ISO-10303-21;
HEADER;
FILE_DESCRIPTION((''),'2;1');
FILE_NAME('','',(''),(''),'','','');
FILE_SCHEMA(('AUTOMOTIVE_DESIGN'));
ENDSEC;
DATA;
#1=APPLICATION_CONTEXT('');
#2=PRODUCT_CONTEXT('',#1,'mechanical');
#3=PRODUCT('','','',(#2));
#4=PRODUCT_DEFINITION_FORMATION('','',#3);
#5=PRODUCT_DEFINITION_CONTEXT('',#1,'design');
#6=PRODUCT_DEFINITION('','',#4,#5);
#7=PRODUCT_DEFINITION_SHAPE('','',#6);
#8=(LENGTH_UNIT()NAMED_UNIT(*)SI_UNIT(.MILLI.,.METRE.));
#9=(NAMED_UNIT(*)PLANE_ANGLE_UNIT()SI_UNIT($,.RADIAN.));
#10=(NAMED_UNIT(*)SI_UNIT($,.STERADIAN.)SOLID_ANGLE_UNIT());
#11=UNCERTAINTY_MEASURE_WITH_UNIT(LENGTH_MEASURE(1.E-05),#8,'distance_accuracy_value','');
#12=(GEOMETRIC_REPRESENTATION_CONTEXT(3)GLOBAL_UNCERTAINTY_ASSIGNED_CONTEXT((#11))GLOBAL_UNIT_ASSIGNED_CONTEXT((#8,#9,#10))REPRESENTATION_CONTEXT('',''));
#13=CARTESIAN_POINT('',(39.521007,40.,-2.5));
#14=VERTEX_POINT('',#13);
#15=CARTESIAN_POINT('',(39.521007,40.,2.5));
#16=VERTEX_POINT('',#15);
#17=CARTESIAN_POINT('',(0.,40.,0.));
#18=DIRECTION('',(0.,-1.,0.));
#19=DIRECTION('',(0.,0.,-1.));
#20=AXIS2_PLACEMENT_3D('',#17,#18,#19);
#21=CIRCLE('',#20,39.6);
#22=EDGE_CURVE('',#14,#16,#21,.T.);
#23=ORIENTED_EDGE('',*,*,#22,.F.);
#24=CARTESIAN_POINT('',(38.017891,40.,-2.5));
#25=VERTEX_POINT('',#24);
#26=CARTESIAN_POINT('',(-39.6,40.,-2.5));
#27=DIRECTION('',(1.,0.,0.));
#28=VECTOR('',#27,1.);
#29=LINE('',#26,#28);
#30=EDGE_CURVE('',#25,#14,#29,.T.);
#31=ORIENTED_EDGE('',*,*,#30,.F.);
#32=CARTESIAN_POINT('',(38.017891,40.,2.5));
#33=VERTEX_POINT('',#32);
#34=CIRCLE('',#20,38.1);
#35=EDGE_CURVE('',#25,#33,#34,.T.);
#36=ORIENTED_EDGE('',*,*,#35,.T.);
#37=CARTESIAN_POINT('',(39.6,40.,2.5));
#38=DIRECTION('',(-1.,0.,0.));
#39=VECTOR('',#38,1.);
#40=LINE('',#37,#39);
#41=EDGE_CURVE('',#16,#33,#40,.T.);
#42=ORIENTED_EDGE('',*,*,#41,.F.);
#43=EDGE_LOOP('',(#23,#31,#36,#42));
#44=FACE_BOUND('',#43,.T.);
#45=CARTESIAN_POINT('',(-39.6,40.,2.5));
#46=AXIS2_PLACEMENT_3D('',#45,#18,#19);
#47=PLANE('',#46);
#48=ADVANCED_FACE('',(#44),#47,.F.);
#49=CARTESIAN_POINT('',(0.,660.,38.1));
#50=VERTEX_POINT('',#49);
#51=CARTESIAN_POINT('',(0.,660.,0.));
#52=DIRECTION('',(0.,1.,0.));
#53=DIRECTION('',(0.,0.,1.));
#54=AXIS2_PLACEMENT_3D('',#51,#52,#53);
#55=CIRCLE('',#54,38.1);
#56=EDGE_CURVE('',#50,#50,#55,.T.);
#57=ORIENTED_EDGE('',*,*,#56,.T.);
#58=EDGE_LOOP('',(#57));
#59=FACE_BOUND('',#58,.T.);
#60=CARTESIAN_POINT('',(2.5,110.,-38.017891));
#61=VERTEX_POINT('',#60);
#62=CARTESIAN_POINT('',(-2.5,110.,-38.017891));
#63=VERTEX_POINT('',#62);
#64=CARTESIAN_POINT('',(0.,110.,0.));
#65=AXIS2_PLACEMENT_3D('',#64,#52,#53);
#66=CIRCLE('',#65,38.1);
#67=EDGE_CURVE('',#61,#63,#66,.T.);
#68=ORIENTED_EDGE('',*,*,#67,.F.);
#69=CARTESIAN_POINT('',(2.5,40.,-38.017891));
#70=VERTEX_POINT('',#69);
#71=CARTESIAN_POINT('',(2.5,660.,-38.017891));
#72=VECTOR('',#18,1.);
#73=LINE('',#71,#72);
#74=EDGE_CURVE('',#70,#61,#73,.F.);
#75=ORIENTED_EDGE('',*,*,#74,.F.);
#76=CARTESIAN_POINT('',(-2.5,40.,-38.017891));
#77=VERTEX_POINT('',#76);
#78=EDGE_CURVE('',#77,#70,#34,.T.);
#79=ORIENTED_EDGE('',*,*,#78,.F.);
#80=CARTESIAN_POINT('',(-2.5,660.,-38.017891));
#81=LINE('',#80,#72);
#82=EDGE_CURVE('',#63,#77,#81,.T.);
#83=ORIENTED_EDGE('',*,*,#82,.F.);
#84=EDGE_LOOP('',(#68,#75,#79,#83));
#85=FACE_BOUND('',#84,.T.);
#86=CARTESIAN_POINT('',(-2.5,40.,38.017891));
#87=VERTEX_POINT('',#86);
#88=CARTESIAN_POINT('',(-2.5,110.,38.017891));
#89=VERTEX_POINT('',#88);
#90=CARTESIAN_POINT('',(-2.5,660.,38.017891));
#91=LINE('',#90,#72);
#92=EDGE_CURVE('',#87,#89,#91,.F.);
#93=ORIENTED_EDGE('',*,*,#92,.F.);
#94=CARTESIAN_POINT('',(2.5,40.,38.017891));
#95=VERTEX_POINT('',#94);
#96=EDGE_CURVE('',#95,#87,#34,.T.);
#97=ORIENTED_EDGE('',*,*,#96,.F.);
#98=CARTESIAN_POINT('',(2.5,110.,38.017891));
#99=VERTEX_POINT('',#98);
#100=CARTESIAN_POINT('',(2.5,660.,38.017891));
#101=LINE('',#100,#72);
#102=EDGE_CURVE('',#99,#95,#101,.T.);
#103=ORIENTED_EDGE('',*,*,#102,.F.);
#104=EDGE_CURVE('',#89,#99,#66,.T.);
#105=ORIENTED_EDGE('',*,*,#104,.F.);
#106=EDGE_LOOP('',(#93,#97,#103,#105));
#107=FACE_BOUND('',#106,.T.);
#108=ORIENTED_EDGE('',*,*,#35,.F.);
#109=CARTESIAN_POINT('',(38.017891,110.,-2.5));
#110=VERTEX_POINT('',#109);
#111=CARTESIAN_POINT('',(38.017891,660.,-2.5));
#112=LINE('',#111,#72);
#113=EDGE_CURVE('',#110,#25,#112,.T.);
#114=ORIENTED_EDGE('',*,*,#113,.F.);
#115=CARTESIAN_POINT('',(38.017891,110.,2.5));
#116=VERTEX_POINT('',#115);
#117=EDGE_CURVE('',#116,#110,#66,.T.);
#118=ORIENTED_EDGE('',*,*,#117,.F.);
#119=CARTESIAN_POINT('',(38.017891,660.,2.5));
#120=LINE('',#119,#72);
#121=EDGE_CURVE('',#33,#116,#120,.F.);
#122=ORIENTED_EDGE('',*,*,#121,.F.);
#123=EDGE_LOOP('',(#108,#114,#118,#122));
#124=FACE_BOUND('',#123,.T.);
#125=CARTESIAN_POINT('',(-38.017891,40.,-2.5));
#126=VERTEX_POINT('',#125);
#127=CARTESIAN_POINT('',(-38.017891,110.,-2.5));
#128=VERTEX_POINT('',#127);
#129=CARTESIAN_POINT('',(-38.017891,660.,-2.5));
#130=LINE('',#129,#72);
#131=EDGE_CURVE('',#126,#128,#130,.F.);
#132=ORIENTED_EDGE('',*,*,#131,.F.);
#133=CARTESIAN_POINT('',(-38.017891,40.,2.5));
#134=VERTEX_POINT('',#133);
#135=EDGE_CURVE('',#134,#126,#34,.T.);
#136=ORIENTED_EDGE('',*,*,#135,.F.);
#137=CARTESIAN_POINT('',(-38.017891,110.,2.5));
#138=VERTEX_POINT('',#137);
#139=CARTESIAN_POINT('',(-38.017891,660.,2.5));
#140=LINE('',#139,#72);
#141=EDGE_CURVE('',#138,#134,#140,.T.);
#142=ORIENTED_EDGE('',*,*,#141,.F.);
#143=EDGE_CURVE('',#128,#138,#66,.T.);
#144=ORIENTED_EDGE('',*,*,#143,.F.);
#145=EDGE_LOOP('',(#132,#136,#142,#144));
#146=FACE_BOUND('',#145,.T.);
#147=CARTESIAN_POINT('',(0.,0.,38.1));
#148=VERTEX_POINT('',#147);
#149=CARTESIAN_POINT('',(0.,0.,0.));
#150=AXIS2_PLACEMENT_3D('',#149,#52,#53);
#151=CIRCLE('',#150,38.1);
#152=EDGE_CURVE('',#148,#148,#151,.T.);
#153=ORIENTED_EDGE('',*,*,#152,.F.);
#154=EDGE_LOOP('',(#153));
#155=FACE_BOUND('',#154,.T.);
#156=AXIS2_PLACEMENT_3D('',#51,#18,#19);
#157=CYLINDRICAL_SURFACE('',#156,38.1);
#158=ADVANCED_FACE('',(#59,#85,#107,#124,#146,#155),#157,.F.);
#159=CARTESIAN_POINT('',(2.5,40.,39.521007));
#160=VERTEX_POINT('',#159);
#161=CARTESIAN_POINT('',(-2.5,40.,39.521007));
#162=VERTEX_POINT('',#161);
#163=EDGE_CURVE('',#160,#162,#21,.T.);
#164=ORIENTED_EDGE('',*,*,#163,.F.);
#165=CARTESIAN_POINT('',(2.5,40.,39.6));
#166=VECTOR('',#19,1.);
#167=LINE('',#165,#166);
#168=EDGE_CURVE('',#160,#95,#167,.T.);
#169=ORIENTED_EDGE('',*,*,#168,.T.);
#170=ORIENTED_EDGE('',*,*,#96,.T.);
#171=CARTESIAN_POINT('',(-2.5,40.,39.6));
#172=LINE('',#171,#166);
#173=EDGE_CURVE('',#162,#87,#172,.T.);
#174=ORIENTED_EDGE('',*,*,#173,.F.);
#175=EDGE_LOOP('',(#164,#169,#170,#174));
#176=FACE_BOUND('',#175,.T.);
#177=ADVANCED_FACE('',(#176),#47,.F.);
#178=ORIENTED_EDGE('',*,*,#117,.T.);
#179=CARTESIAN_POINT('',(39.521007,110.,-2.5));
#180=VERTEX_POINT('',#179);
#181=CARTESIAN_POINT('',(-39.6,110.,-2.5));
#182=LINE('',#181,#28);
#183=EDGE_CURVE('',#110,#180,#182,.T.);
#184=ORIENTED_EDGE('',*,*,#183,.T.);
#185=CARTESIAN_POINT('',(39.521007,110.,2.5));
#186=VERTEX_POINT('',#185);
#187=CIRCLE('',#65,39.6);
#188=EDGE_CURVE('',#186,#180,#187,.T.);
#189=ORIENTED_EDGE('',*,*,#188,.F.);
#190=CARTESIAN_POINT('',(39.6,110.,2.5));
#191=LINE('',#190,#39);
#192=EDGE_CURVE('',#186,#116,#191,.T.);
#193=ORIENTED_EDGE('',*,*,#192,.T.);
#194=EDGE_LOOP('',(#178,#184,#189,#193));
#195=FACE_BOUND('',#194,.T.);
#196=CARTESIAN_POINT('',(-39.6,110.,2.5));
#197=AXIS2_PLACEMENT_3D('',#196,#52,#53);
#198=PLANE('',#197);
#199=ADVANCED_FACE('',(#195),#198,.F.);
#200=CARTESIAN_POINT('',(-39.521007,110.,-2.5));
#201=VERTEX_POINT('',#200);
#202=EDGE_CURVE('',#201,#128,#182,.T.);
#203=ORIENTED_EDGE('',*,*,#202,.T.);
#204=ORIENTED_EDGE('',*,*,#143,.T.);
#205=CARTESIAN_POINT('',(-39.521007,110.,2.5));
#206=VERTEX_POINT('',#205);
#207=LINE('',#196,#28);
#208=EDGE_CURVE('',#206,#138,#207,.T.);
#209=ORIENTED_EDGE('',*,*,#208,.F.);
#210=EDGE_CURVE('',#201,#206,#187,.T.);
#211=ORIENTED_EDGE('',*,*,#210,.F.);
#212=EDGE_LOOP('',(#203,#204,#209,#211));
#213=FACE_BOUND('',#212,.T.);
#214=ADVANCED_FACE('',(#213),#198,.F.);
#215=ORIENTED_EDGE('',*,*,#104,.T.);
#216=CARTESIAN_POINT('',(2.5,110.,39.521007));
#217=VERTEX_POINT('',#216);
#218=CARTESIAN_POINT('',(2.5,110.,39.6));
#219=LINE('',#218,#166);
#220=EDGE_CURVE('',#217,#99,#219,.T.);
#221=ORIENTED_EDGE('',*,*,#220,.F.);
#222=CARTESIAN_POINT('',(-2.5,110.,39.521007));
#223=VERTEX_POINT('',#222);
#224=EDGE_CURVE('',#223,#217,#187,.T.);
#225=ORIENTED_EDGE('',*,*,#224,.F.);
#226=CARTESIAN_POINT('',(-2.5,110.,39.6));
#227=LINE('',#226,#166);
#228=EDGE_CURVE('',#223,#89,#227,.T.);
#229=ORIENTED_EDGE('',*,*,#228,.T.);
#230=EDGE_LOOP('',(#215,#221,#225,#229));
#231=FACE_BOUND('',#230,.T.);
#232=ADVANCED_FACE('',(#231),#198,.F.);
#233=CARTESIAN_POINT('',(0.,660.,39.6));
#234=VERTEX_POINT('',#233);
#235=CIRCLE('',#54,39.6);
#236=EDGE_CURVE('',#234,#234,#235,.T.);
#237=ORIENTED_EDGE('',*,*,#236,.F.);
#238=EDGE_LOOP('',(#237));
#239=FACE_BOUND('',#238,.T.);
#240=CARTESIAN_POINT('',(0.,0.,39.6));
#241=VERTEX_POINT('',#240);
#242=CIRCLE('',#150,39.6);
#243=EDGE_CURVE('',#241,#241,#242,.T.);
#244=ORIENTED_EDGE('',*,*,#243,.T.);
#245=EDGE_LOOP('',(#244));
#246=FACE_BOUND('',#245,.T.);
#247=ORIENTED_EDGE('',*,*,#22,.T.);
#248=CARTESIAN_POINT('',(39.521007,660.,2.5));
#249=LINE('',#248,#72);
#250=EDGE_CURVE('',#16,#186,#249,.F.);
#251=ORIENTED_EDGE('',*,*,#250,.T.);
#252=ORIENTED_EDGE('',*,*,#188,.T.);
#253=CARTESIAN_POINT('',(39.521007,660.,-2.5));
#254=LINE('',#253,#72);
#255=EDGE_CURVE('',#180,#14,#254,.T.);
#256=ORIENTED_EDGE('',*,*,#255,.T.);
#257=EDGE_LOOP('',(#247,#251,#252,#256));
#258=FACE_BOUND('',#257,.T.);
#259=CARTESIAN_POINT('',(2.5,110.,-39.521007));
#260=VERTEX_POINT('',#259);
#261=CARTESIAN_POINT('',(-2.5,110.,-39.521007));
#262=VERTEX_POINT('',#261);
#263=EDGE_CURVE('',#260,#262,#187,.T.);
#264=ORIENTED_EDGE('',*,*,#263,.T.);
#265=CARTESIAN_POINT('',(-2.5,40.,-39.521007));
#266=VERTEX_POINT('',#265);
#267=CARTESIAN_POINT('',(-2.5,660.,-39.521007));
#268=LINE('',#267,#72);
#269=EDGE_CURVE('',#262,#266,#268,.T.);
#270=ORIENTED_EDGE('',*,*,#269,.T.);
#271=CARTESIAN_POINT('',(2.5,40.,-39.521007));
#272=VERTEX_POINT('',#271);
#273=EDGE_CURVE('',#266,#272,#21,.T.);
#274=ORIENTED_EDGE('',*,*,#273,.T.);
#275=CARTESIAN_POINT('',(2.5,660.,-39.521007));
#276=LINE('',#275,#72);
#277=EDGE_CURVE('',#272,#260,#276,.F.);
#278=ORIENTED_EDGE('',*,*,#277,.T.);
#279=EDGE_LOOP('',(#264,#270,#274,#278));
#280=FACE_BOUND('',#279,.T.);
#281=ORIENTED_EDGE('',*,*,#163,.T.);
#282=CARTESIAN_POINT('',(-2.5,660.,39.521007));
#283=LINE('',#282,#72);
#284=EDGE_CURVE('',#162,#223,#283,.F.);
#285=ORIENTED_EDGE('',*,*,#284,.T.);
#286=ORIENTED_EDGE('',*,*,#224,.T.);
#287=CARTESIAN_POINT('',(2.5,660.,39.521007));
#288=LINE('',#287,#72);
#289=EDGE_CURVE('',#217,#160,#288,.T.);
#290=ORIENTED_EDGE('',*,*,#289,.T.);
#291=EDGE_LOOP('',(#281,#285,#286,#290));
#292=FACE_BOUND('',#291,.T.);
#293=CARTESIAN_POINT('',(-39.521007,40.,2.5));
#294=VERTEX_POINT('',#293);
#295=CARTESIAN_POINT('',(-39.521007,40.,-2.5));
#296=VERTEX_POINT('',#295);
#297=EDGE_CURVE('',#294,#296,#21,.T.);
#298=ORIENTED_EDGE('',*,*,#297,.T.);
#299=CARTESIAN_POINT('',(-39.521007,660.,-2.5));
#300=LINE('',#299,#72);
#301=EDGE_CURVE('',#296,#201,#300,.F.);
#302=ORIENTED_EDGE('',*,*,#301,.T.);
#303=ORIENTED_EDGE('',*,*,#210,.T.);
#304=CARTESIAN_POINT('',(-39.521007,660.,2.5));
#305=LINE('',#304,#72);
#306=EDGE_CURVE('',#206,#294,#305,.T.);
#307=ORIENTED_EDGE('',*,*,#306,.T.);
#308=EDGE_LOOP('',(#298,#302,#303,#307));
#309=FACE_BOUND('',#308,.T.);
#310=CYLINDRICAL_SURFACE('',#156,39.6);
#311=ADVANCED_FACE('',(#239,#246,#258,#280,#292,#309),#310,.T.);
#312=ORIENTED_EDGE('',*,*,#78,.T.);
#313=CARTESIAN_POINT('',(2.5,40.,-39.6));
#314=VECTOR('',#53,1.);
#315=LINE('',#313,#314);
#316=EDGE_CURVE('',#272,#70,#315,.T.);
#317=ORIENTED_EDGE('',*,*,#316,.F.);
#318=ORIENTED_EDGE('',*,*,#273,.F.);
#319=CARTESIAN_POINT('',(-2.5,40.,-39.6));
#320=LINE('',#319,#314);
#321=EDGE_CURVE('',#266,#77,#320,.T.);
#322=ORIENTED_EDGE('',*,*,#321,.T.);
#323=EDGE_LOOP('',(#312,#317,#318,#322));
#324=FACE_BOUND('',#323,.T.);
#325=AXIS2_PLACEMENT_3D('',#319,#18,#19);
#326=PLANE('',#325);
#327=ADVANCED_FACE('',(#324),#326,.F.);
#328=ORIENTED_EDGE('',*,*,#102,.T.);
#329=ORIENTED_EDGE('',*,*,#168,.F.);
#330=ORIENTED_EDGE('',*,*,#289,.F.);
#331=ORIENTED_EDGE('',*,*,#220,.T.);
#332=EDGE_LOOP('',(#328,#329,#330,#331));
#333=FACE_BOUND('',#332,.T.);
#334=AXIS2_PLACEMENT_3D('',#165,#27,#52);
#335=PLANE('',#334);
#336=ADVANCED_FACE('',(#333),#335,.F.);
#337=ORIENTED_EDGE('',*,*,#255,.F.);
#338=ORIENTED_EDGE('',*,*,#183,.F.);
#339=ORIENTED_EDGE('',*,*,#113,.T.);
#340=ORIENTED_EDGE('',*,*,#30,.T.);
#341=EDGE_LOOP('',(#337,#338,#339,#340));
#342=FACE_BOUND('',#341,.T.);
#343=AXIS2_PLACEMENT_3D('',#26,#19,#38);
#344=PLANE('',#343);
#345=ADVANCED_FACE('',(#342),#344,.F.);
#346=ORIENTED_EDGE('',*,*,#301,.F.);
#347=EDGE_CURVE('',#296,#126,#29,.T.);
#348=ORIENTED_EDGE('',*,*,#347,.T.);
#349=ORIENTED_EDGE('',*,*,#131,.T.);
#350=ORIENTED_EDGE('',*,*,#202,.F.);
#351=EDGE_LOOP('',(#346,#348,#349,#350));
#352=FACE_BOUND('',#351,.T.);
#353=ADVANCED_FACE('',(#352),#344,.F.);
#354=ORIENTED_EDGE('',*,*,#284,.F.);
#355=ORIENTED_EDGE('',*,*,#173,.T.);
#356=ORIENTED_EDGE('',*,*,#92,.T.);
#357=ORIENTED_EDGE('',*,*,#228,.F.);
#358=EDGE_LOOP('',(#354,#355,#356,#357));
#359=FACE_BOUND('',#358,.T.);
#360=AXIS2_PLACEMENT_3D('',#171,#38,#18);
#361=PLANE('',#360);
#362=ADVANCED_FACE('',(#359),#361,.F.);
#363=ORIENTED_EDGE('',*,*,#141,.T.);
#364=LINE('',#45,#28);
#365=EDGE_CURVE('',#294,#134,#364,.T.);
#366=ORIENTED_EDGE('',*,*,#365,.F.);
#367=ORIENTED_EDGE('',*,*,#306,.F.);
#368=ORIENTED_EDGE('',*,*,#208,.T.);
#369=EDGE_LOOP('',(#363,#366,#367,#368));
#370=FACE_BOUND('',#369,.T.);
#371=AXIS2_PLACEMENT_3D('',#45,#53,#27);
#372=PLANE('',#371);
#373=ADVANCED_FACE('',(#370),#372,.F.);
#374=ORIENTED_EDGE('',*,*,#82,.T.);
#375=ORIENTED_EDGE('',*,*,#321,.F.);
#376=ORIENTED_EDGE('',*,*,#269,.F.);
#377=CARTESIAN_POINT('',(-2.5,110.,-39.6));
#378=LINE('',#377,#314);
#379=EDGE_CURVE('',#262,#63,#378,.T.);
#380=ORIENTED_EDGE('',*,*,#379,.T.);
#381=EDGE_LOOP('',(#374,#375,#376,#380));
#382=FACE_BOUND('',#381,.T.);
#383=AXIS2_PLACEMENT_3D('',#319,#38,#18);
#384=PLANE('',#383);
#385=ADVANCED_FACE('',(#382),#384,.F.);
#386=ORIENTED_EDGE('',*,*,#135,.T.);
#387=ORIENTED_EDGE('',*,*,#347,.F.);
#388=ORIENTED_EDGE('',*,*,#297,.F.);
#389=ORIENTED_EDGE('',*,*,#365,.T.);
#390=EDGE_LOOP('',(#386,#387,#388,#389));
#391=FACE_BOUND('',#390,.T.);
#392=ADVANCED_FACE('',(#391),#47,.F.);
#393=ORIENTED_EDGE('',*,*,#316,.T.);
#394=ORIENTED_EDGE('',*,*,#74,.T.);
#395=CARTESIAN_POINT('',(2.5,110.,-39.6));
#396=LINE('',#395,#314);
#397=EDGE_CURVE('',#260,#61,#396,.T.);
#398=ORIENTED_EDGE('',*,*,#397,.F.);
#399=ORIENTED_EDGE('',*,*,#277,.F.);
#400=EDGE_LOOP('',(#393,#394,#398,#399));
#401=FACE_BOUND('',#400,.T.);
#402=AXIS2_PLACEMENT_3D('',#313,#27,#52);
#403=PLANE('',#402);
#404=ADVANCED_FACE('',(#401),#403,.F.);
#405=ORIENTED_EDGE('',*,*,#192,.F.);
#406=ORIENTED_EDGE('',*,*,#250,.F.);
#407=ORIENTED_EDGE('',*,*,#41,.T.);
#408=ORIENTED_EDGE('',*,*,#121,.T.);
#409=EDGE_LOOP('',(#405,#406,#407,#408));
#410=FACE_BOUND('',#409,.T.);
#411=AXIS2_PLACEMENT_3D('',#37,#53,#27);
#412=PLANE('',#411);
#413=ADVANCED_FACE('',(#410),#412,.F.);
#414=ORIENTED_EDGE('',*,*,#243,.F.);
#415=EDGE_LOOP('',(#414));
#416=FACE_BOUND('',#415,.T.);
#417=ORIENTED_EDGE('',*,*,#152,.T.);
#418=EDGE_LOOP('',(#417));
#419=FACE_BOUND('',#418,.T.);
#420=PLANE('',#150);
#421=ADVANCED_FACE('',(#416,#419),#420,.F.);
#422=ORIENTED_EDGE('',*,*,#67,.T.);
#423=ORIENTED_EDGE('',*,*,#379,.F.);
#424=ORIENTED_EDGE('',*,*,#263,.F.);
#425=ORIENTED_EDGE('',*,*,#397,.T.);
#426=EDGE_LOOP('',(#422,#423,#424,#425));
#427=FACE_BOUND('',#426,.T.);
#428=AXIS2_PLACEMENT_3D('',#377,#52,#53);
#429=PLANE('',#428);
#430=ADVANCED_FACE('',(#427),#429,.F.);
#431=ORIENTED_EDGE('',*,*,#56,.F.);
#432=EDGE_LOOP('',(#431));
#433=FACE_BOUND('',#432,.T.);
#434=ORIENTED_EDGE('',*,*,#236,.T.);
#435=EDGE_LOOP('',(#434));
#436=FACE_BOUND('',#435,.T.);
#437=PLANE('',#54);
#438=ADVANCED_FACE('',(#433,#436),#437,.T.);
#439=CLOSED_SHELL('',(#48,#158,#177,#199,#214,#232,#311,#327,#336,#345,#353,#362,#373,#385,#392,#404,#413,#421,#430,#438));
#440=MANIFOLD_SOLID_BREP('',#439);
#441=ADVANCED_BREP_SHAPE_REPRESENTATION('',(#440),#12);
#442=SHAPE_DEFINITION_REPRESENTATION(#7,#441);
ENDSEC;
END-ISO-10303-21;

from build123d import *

# Parameters (mm, degrees)
SKETCH1_R           = 39.6
SKETCH1_R_2         = 38.1
BOSS_EXTRUDE1_DEPTH = 660
SKETCH2_W           = 5
SKETCH2_H           = 70
CUT_EXTRUDE1_DEPTH  = 663.371738528
CIRPATTERN1_COUNT   = 4


with BuildPart() as part:
    # Sketch1 → Boss-Extrude1 (new body)
    with BuildSketch(Plane(origin=(0, 0, 0), x_dir=(1, 0, 0), z_dir=(0, 1, 0))):
        with Locations(Location((0, 0, 0), (0, 0, 270))):
            Circle(SKETCH1_R)
        with Locations(Location((0, 0, 0), (0, 0, 270))):
            Circle(SKETCH1_R_2, mode=Mode.SUBTRACT)
    extrude(amount=BOSS_EXTRUDE1_DEPTH)

    # Sketch2 → Cut-Extrude1 (cut, through all)
    with BuildSketch(Plane.XY):
        with Locations((0, 75)):
            Rectangle(SKETCH2_W, SKETCH2_H)
    cut_extrude1 = extrude(amount=-CUT_EXTRUDE1_DEPTH, mode=Mode.SUBTRACT)

    # CirPattern1: Cut-Extrude1 ×4 about axis
    cirpattern1_axis = Axis((0, 0, 0), (0, 1, 0))
    for i in range(1, CIRPATTERN1_COUNT):
        add(cut_extrude1.rotate(cirpattern1_axis, i * 360 / CIRPATTERN1_COUNT), mode=Mode.SUBTRACT)


solid = part.part
